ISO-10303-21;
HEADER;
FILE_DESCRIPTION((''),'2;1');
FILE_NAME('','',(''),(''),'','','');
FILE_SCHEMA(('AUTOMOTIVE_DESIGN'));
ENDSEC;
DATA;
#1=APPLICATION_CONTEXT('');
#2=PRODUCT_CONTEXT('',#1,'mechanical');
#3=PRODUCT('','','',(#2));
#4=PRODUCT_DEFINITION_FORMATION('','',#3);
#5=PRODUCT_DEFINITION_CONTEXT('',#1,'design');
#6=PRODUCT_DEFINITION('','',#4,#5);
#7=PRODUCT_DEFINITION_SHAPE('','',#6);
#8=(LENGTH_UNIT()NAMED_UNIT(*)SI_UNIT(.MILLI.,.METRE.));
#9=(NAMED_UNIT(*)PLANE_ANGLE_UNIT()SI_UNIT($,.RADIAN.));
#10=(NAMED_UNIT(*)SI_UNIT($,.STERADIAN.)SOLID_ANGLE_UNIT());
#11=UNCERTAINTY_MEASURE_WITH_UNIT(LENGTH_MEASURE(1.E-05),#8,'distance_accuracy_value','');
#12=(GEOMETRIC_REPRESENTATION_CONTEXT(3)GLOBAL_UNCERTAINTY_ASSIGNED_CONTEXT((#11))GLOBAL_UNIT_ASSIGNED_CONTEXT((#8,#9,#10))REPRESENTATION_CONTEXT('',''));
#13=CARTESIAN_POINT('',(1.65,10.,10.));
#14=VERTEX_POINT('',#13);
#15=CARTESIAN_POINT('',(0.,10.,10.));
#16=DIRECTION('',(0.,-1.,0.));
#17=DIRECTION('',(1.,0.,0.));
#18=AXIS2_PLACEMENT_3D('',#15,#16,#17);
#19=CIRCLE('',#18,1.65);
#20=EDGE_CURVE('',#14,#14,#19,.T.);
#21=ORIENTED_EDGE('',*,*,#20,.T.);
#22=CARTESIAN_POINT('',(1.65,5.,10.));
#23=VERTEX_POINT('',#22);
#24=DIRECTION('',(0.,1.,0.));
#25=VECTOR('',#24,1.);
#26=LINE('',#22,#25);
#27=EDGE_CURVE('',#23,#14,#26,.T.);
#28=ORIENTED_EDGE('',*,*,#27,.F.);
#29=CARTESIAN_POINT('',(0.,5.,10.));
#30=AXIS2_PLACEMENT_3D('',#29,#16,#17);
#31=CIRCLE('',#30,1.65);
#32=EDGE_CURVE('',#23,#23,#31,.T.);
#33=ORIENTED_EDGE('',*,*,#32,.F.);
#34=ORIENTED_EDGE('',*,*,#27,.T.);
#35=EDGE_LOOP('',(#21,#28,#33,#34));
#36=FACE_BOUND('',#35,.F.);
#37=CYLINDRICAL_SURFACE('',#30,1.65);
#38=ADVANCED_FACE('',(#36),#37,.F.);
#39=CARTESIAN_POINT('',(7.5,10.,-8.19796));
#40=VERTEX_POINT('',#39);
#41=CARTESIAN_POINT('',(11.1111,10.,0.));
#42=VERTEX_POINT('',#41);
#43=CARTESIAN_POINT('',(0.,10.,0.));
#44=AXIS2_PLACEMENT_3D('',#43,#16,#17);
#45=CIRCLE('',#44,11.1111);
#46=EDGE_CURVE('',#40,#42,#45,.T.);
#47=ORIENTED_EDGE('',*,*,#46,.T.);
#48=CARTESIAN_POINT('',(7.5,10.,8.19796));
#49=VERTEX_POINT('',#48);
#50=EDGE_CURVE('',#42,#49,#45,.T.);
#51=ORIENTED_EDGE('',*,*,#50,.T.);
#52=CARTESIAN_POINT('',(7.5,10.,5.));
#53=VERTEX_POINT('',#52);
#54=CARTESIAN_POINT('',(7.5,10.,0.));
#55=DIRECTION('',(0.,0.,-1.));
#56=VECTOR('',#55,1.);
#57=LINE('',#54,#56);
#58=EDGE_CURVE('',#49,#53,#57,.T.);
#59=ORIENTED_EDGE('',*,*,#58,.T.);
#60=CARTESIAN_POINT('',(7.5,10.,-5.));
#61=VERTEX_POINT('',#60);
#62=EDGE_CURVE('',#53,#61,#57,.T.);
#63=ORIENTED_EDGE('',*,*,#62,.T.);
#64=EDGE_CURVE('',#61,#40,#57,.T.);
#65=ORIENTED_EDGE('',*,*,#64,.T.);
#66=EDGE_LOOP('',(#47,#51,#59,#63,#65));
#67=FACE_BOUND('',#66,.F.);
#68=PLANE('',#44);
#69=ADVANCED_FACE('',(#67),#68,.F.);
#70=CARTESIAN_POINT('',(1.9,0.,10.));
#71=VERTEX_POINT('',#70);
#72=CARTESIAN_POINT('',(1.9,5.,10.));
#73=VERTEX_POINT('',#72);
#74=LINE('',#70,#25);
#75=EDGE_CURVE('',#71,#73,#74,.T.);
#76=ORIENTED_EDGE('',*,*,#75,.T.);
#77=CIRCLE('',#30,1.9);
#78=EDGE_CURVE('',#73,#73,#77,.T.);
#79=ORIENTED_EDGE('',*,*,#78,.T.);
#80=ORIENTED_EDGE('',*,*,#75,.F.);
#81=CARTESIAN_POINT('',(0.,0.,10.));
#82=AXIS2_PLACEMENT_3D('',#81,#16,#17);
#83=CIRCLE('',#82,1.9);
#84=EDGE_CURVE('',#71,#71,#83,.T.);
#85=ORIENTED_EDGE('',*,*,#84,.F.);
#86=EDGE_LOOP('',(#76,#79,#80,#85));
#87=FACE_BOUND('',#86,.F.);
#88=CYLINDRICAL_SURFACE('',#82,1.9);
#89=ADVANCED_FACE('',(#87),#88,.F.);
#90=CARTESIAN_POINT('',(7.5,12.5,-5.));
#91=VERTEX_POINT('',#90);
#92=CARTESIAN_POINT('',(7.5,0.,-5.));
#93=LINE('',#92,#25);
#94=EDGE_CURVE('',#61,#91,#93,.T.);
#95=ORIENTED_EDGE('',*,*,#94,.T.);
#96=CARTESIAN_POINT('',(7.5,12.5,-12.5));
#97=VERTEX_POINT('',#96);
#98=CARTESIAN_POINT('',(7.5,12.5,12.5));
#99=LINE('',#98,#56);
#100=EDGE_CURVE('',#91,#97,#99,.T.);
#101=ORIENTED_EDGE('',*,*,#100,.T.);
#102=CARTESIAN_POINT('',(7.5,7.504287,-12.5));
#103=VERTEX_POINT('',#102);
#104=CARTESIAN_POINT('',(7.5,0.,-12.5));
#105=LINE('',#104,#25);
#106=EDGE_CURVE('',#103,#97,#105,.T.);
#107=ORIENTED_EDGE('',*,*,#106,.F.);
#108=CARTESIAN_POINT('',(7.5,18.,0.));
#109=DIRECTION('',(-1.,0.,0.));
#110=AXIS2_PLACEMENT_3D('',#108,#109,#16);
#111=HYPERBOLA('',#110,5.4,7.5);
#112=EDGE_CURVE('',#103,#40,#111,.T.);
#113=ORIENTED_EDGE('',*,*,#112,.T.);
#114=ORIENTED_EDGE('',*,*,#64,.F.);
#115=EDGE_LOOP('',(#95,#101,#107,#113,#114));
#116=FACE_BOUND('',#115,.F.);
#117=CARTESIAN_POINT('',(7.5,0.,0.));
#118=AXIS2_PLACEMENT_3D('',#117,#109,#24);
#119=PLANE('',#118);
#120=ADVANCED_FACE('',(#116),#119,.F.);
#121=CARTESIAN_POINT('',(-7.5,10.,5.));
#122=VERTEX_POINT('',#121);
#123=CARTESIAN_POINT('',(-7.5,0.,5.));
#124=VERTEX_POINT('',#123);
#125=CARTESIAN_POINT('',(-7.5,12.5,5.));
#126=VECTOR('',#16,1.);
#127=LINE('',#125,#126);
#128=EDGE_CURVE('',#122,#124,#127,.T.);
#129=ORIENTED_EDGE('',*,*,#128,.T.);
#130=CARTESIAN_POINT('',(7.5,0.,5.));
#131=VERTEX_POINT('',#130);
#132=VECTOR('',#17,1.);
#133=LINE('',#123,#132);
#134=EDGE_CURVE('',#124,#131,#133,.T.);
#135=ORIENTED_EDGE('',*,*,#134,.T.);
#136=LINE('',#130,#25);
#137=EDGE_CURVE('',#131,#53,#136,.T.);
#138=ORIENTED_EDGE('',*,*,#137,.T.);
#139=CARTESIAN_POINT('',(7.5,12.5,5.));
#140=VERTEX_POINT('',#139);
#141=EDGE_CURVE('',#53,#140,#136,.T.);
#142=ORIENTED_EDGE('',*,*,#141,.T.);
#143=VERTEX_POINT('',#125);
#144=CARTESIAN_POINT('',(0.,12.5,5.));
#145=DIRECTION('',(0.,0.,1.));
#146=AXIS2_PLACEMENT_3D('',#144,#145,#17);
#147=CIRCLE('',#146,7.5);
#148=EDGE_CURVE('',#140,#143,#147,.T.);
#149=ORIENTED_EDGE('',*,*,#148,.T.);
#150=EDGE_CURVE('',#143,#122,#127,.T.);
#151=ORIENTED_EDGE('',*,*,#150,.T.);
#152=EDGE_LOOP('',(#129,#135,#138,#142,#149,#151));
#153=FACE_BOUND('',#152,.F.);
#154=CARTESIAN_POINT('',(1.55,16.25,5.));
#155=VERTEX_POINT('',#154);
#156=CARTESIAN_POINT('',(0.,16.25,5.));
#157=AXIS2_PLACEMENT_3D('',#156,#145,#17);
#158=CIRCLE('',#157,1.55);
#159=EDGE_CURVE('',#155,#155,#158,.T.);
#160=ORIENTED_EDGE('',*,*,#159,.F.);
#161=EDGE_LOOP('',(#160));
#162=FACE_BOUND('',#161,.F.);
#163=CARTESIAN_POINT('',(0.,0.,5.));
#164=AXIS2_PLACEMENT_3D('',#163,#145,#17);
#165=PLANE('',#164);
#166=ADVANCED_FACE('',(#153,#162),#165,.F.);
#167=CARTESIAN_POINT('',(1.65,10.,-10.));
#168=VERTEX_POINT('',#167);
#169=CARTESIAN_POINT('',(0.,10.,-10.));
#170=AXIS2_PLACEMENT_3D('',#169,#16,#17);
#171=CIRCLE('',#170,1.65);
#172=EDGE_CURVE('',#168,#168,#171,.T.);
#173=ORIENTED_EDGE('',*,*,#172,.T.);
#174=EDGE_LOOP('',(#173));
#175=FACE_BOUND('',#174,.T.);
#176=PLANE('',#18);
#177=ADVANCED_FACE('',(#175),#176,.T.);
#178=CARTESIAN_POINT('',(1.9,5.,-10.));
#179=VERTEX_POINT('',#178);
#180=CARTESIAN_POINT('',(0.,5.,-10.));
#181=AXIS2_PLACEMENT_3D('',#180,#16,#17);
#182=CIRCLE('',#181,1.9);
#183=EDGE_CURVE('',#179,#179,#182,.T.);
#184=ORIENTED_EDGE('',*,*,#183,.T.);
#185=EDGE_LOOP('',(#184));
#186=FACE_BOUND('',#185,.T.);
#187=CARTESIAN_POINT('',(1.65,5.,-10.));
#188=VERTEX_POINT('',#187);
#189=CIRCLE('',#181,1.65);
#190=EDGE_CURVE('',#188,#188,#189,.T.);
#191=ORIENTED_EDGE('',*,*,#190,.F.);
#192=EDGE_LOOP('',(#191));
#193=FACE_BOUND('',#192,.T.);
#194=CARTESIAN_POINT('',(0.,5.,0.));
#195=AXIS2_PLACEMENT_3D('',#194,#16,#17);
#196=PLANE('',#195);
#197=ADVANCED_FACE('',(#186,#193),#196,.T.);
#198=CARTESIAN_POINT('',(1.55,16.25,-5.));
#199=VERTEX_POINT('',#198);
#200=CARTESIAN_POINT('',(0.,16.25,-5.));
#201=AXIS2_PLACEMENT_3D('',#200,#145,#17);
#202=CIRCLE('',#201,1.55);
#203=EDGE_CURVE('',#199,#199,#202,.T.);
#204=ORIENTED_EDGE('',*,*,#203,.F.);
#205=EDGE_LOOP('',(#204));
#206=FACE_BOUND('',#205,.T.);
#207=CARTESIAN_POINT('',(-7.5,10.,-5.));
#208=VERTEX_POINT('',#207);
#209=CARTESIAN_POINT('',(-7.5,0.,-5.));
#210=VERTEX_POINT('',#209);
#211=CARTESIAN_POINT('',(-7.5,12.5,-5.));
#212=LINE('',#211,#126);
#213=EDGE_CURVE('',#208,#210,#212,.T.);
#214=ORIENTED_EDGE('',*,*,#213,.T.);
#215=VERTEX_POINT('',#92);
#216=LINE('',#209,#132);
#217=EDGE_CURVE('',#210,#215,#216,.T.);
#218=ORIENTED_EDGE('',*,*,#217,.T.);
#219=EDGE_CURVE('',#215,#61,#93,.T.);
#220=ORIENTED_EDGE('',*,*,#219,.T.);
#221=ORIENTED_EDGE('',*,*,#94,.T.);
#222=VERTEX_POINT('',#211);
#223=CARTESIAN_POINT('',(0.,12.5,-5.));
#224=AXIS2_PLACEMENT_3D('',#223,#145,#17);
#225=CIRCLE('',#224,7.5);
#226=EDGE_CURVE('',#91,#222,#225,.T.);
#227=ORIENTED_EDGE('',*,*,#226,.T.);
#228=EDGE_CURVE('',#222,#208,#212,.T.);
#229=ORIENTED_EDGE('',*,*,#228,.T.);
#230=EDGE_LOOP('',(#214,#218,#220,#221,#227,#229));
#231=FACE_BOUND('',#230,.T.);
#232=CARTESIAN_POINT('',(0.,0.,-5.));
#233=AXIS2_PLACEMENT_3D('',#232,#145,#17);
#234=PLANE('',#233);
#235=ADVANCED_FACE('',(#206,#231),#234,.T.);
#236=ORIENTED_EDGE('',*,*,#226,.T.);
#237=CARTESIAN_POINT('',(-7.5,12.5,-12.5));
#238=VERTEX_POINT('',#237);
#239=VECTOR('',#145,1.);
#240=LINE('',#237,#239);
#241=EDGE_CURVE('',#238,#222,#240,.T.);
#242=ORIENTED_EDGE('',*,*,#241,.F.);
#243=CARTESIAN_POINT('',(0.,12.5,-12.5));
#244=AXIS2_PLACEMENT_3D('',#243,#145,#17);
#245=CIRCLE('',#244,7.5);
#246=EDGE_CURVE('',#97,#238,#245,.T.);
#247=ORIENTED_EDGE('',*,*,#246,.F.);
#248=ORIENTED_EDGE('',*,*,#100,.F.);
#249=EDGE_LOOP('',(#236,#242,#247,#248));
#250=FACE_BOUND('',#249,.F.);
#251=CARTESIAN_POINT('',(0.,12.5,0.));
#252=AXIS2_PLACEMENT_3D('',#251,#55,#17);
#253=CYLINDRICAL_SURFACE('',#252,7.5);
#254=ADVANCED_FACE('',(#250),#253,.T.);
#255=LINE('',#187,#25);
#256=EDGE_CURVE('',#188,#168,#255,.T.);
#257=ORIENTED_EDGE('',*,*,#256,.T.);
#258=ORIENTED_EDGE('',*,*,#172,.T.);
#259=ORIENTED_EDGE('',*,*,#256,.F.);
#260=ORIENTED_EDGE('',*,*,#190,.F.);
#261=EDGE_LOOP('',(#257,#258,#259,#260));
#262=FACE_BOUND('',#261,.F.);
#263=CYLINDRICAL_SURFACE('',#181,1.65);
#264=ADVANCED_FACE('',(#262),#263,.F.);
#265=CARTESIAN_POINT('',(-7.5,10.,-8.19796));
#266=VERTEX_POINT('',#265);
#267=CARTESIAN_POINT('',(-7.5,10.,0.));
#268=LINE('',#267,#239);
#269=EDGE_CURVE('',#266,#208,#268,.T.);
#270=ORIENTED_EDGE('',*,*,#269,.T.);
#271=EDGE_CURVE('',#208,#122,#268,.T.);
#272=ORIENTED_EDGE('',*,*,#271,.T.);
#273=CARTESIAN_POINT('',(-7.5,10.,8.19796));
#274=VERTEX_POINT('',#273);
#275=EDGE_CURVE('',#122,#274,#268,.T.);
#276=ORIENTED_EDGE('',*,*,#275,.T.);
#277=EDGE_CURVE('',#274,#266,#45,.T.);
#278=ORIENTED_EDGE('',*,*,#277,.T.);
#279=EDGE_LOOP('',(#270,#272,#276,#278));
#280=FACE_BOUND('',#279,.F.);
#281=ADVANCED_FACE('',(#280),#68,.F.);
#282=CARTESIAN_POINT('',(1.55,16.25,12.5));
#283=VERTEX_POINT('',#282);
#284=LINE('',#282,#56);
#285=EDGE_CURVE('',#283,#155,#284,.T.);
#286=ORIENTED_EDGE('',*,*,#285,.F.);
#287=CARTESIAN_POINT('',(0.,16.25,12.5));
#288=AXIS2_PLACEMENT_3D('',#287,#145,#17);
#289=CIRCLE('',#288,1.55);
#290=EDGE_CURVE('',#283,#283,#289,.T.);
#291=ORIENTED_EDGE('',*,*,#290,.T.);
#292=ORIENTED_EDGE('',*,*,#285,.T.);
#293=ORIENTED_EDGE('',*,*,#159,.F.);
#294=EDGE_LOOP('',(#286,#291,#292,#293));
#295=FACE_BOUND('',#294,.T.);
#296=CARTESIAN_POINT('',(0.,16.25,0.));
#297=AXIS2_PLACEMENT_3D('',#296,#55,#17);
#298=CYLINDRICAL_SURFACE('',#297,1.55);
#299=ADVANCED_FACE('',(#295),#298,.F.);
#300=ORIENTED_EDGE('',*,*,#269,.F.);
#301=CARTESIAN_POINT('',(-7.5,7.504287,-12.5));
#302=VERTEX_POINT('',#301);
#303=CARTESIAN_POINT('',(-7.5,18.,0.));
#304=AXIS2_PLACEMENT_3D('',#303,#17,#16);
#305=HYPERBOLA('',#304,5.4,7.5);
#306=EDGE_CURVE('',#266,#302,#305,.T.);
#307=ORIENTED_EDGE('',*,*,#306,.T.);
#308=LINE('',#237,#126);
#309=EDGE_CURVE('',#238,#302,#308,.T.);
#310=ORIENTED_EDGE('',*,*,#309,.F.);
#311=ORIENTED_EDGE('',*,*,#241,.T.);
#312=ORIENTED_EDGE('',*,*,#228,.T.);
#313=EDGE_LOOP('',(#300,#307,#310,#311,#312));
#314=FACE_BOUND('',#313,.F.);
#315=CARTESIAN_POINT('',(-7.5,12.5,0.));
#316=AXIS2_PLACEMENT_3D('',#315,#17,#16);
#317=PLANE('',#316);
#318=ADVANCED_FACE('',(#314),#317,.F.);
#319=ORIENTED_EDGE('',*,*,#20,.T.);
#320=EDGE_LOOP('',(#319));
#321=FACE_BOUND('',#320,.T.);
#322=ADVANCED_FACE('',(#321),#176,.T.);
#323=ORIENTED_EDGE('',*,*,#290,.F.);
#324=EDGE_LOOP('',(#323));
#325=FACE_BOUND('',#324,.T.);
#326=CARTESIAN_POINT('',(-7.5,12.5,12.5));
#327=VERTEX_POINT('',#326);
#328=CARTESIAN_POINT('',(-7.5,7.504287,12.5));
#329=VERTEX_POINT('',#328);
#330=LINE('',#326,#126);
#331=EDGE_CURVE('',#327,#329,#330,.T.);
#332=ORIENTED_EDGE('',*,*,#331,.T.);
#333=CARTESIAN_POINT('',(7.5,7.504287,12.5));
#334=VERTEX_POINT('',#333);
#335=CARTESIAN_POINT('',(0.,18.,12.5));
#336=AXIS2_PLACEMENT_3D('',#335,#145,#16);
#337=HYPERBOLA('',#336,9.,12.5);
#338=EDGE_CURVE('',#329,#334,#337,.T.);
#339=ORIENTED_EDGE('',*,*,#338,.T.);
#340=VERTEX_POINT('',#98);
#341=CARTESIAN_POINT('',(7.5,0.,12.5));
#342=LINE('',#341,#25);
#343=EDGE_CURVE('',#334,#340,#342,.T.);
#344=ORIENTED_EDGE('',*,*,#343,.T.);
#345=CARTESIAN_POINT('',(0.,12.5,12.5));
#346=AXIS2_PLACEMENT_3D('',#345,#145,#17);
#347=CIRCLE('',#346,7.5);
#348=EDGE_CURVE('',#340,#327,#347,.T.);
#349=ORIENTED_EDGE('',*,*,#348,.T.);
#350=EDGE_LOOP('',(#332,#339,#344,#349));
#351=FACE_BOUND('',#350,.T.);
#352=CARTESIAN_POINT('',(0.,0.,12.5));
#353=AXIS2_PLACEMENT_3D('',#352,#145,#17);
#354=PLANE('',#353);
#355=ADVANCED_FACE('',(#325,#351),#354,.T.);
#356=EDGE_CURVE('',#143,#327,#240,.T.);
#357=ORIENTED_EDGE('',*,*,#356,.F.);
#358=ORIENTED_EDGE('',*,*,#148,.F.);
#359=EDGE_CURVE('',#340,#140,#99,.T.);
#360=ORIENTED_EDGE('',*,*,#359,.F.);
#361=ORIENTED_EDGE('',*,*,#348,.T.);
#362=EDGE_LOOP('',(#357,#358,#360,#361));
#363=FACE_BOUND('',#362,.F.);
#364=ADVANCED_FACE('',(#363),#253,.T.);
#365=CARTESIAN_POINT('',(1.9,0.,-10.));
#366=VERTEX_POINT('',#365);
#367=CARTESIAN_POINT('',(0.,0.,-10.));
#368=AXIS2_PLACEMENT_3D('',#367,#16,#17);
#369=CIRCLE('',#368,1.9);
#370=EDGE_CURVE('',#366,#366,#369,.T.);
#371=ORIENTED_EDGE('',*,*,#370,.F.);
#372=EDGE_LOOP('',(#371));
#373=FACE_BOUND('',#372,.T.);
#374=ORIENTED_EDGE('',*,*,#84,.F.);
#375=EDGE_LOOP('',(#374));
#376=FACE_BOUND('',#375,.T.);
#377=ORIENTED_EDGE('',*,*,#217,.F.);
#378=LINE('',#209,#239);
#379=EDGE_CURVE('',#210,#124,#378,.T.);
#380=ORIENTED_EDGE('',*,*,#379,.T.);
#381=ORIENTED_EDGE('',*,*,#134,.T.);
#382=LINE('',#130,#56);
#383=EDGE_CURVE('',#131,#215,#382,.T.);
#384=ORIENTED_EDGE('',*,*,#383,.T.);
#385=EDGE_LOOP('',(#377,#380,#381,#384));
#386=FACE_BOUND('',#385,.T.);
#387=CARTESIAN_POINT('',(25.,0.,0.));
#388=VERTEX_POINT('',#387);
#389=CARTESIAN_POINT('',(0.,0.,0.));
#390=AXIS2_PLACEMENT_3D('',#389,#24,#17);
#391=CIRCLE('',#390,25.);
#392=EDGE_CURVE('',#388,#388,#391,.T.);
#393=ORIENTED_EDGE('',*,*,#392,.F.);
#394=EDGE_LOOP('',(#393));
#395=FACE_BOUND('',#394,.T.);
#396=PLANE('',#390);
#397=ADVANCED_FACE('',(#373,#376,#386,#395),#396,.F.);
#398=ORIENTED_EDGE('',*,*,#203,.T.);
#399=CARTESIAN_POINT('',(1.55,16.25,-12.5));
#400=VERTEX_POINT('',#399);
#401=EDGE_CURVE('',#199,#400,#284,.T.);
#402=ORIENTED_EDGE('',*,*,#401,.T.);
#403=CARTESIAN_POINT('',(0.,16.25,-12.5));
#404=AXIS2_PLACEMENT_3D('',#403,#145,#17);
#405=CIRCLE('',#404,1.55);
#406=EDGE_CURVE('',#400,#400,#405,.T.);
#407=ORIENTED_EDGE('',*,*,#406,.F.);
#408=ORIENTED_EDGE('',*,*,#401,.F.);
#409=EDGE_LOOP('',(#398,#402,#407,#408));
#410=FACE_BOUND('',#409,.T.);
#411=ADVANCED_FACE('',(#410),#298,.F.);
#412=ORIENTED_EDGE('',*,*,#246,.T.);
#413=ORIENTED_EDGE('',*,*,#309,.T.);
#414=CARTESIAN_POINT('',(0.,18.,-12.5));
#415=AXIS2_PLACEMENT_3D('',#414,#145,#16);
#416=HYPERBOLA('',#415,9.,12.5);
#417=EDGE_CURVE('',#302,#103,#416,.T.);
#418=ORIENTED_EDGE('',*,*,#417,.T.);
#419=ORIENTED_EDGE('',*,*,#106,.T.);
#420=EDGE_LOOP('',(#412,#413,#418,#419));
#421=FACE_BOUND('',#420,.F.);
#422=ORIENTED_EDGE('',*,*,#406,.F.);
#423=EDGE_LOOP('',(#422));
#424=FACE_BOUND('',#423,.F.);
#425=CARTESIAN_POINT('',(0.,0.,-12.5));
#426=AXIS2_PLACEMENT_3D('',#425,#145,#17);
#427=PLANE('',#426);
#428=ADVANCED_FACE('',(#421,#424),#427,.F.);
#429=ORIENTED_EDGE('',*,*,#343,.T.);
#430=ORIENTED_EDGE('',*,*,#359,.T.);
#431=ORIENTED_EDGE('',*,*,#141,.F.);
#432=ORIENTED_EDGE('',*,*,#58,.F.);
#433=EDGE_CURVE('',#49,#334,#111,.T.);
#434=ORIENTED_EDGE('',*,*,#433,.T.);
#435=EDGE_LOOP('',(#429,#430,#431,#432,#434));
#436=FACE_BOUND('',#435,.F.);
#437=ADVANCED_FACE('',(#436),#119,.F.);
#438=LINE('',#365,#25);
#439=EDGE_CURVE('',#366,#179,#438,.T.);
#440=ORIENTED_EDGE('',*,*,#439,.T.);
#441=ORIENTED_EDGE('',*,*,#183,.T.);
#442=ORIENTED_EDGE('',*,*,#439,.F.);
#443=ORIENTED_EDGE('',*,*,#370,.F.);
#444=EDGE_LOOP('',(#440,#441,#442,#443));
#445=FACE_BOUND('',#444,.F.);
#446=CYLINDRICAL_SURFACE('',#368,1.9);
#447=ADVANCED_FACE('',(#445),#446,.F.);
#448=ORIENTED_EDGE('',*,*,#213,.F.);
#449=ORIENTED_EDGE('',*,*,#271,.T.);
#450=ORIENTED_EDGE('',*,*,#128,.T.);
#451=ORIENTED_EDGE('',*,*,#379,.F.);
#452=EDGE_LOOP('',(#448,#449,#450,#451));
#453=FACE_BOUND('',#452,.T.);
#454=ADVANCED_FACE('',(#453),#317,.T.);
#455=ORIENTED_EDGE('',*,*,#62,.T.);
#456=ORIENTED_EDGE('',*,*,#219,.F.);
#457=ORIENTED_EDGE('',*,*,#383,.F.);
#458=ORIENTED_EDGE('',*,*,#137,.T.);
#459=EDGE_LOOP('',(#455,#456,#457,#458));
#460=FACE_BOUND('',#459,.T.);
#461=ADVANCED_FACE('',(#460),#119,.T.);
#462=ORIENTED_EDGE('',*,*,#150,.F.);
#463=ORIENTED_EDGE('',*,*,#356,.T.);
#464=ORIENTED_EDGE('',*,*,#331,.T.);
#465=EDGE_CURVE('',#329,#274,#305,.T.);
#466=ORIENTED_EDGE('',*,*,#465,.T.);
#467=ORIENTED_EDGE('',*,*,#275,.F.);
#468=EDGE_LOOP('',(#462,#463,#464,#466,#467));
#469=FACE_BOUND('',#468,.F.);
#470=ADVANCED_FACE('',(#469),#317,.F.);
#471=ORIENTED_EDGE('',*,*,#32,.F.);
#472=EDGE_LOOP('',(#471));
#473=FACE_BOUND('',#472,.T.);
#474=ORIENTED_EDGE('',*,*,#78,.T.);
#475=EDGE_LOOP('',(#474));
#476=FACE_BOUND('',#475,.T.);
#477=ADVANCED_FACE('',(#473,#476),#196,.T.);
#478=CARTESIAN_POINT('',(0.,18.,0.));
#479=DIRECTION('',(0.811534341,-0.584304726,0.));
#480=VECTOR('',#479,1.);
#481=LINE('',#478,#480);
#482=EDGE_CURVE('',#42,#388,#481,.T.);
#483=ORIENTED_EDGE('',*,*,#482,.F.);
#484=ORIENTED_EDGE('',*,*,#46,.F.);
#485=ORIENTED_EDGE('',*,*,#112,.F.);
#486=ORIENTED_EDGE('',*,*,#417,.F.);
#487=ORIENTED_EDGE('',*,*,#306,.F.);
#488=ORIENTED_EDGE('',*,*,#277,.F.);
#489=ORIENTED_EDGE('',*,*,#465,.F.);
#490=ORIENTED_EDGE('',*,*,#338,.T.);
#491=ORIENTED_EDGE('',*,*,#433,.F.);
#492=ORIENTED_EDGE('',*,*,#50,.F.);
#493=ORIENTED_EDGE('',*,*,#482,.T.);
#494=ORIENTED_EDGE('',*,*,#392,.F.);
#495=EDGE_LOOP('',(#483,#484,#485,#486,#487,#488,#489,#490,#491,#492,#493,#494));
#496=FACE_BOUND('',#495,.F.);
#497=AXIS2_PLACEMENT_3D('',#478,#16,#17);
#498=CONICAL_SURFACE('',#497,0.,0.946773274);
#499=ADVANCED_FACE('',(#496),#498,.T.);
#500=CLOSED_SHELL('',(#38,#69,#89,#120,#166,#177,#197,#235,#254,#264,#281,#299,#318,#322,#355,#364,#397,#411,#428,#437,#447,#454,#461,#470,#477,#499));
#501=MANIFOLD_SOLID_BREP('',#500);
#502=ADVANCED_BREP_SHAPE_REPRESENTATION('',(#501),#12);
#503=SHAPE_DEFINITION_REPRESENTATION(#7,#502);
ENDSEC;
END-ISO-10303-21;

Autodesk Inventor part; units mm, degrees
ref_plane "YZ Plane" through (0, 0, 0) normal (1, 0, 0) x (0, 1, 0)
ref_plane "XZ Plane" through (0, 0, 0) normal (0, 1, 0) x (-1, 0, 0)
sketch "Эскиз1" plane through (0, 0, 0) normal (0, 0, 1) x (1, 0, 0)
  line L0 (0, 0) -> (25, 0)
  line L1 (0, 0) -> (0, 18)
  line L2 (0, 18) -> (25, 0)
  line L3 (0, -3.6) -> (0, 21.6) projected
  dimension "d0" = 25
  dimension "d2" = 18
revolve "Вращение1" add sketch "Эскиз1" angle 360 about axis through (0, -10, 0) along (0, 1, 0)
ref_plane "РабПлоскость1" through (0, 10, 0) normal (0, -1, 0) x (1, 0, 0)
sketch "Эскиз2" plane through (0, 10, 0) normal (0, -1, 0) x (1, 0, 0)
  circle A0 centre (0, 0) radius 11.1111 projected
extrude "Выдавливание1" cut sketch "Эскиз2" against normal blind 10
sketch "Эскиз3" plane through (0, 0, 0) normal (0, 0, 1) x (1, 0, 0)
  line L0 (-7.5, 12.5) -> (-7.5, 0)
  line L1 (-7.5, 0) -> (7.5, 0)
  line L2 (7.5, 0) -> (7.5, 12.5)
  arc A0 (7.5, 12.5) -> (-7.5, 12.5) centre (0, 12.5) ccw
  line L3 (0, 12.5) -> (0, 20) construction
  circle A1 centre (0, 16.25) radius 1.55
  point P0 (0, 0)
  point P1 (0, 0)
  dimension "d10" = 3.1
extrude "Выдавливание2" add sketch "Эскиз3" along normal mid plane 25
extrude "Выдавливание3" cut sketch "Эскиз3" along normal mid plane 10
sketch "Эскиз6" plane through (0, 0, 0) normal (0, -1, 0) x (1, 0, 0)
  circle A0 centre (-58.3547, -41.682) radius 1.575 construction
  circle A1 centre (-58.3429, -21.682) radius 1.575 construction
  circle A2 centre (-58.3547, -41.682) radius 1.35
  circle A3 centre (-58.3429, -21.682) radius 1.35
  point P0 (0, 0)
  dimension "d24" = 2.7
  dimension "d25" = 2.7
sketch "Эскиз7" plane through (0, 0, 0) normal (0, -1, 0) x (1, 0, 0)
  circle A0 centre (0, -10) radius 1.9
  circle A1 centre (0, 10) radius 1.9
  circle A2 centre (0, 0) radius 25 projected
  line L0 (0, -10) -> (0, 10) construction
  dimension "d29" = 3.8
  dimension "d30" = 20
extrude "Выдавливание7" cut sketch "Эскиз7" against normal blind 5 contours A0 | A1
sketch "Эскиз8" plane through (0, 5, 10) normal (0, -1, 0) x (1, 0, 0)
  circle A0 centre (0, 0) radius 1.9 projected
  circle A1 centre (0, -20) radius 1.9 projected
  circle A2 centre (0, 0) radius 1.9 projected
  circle A3 centre (0, 0) radius 1.65
  circle A4 centre (0, -20) radius 1.65
  point P0 (0, -10)
  dimension "d33" = 3.3
extrude "Выдавливание8" cut sketch "Эскиз8" against normal blind 5 contours A3 | A4
properties part number "стенд"
